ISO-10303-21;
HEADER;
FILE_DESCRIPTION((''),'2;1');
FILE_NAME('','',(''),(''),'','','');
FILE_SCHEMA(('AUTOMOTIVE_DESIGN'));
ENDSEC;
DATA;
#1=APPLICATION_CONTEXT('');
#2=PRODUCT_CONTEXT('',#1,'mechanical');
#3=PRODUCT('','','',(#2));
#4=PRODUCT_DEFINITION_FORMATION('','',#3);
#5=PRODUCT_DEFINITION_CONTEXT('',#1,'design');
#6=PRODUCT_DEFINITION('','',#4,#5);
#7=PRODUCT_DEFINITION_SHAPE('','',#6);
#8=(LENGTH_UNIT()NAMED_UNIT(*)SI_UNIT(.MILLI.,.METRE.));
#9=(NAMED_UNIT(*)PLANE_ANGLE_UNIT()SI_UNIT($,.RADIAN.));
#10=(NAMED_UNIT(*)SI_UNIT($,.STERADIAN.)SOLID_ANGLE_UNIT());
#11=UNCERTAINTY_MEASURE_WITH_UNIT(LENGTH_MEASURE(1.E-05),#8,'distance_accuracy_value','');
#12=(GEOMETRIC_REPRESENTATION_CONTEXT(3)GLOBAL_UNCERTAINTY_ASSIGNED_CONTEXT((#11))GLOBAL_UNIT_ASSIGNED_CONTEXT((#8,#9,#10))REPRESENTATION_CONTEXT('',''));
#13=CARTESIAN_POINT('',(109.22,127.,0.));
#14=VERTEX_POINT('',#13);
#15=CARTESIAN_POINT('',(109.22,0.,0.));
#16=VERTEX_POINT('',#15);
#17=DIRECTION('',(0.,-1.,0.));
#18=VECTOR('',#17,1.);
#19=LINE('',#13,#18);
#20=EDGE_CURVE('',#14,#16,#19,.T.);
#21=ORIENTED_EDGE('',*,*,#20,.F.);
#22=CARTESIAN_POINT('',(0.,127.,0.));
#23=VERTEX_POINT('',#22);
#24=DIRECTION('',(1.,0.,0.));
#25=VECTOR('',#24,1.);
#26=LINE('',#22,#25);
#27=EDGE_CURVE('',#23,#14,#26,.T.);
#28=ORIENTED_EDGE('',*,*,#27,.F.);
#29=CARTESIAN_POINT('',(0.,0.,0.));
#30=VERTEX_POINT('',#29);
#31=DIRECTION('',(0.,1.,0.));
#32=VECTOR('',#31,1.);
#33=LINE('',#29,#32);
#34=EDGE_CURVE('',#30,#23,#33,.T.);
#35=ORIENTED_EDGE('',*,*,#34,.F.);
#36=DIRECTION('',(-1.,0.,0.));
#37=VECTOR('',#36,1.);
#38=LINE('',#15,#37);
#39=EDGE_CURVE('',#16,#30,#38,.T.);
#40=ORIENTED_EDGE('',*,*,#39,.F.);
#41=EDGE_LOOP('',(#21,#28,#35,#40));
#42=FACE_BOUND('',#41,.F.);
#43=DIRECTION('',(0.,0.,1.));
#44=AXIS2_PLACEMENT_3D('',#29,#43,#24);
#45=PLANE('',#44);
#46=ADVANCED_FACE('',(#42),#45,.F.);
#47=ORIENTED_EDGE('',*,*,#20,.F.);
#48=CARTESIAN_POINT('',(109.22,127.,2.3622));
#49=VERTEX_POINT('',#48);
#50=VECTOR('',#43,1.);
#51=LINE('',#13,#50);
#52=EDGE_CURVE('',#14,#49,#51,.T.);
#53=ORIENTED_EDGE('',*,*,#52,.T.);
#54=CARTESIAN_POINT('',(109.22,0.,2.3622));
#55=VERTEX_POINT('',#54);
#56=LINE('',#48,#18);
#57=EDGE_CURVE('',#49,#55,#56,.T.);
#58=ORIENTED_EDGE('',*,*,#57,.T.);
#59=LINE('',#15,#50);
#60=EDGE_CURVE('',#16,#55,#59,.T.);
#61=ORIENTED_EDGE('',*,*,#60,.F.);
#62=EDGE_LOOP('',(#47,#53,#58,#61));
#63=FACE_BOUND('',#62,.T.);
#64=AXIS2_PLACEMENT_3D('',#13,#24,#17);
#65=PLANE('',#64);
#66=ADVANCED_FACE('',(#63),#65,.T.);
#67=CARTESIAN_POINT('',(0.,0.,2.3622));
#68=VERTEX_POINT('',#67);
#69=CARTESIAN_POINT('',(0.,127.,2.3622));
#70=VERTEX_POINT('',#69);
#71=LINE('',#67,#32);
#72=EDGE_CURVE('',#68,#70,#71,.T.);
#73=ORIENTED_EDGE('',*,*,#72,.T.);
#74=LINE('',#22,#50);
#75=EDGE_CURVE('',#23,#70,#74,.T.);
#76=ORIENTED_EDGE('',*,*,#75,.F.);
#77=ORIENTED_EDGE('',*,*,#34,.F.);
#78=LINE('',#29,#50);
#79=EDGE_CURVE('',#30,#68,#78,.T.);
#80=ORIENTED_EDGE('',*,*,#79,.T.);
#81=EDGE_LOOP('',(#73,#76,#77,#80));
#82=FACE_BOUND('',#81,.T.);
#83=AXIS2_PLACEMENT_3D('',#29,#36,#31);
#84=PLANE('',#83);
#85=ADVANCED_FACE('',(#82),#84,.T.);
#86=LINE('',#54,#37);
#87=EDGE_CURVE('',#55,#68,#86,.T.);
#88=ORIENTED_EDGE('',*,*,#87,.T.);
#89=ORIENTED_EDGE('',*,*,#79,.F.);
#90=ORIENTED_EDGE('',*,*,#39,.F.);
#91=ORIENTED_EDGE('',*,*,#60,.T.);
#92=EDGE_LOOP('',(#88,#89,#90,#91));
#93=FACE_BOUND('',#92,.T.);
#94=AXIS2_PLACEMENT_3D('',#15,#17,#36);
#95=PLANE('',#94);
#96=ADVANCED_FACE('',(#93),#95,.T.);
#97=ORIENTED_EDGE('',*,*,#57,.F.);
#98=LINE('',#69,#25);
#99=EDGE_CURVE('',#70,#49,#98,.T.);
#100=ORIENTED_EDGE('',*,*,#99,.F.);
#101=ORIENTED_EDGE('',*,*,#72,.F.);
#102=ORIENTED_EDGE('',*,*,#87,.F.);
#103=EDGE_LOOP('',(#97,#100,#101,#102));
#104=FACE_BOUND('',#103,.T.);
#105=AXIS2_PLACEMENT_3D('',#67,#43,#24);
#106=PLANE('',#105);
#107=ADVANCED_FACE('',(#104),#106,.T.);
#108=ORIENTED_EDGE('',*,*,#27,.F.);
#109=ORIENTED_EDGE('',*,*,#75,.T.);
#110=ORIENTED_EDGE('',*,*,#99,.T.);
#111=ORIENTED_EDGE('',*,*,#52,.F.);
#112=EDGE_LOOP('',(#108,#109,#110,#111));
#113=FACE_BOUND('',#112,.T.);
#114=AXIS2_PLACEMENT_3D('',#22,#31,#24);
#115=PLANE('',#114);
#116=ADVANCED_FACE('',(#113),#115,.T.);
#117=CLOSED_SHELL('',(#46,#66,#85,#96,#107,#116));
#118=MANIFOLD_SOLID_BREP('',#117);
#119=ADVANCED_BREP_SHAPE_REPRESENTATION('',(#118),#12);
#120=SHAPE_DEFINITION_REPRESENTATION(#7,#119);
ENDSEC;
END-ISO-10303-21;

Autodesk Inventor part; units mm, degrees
ref_plane "YZ Plane" through (0, 0, 0) normal (1, 0, 0) x (0, 1, 0)
ref_plane "XZ Plane" through (0, 0, 0) normal (0, 1, 0) x (-1, 0, 0)
ref_plane "XY Plane" through (0, 0, 0) normal (0, 0, 1) x (1, 0, 0)
sketch "Sketch1" plane through (0, 0, 0) normal (0, 0, 1) x (1, 0, 0)
  line L0 (0, 0) -> (0, 127)
  line L1 (0, 127) -> (109.22, 127)
  line L2 (109.22, 127) -> (109.22, 0)
  line L3 (109.22, 0) -> (0, 0)
  dimension "d0" = 109.22
  dimension "d1" = 127
extrude "Extrusion1" add sketch "Sketch1" along normal blind 2.3622
properties part number "Chassis_Poly" material "Polycarbonate, Clear"
